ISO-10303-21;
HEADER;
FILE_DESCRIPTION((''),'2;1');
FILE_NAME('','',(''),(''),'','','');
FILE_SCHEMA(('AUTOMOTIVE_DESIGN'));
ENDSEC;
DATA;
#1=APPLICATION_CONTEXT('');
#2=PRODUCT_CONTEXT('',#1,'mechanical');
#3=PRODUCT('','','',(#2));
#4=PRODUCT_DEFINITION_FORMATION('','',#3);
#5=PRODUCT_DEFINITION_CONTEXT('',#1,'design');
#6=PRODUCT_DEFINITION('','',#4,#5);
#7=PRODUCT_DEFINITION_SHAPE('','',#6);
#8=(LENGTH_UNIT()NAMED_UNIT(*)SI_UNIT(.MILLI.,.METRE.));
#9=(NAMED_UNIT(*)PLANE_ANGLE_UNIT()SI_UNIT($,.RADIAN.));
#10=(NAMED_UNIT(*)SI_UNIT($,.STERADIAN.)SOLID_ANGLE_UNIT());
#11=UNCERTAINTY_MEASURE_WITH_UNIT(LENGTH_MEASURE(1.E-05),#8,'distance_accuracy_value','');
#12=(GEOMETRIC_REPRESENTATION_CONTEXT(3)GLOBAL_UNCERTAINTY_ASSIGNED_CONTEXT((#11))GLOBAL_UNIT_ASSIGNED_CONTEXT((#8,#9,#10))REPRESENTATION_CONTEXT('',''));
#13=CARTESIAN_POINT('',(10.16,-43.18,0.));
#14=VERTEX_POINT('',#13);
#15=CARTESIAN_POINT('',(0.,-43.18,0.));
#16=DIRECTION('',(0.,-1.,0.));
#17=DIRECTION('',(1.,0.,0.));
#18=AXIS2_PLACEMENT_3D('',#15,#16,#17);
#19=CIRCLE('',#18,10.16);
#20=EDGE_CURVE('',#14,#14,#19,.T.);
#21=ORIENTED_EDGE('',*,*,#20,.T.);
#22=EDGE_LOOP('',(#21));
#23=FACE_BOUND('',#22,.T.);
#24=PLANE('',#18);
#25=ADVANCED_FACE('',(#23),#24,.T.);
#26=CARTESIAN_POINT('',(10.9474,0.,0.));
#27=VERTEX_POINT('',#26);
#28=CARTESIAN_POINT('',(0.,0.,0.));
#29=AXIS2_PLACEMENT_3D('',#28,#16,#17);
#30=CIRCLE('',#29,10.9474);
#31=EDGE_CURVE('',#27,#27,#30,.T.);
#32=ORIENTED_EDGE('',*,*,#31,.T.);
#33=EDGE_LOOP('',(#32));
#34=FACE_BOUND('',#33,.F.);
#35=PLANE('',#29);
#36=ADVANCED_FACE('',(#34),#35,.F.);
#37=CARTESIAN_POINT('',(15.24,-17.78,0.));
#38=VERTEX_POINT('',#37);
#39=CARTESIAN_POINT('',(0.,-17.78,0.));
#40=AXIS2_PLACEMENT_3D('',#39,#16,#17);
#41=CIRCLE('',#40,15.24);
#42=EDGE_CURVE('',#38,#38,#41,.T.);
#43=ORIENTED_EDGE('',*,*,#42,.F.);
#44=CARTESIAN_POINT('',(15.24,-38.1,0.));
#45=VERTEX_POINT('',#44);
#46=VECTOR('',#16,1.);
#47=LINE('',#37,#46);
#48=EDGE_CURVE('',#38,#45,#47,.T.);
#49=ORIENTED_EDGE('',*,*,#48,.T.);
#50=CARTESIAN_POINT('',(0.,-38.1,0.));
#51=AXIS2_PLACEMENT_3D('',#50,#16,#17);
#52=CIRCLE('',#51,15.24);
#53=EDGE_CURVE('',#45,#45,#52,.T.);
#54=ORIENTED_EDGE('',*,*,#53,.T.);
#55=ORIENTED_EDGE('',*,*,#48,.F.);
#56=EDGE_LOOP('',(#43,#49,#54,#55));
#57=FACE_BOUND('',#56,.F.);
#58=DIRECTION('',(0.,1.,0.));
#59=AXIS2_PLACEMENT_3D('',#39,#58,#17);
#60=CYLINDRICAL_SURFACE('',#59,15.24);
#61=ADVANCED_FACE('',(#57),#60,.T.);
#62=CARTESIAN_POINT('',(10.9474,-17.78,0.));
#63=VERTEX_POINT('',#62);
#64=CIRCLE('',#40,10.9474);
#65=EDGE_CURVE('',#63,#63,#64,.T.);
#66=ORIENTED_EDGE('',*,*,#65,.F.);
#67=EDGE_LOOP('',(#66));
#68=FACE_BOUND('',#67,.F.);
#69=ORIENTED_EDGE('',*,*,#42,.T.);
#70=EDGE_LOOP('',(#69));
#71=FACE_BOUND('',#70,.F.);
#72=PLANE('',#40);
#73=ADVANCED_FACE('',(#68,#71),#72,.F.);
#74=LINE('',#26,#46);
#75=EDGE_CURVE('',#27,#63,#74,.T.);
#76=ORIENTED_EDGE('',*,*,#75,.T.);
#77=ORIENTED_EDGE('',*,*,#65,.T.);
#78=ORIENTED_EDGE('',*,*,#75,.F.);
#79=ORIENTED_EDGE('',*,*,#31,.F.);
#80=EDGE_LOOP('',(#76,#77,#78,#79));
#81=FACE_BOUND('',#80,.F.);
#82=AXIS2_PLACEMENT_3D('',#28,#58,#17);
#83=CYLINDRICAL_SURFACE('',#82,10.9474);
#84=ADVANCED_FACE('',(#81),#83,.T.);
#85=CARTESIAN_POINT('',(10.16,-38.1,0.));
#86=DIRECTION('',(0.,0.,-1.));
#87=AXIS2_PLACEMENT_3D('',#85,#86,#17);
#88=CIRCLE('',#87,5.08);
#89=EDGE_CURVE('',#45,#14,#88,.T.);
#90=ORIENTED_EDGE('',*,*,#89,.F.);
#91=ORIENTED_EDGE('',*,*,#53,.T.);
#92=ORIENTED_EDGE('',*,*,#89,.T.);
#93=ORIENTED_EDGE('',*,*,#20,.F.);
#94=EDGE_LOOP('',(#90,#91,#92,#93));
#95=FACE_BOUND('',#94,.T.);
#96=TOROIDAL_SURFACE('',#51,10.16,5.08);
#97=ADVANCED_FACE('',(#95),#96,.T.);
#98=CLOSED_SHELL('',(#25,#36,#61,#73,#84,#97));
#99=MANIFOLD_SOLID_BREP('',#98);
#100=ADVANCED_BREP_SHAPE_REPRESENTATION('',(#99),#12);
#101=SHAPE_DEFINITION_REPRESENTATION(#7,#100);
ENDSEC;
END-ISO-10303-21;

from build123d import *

# Parameters (mm, degrees)
F0_R     = 10.9474
F1_DEPTH = 17.78
F2_R     = 15.24
F2_R_2   = 10.9474
F3_DEPTH = 25.4
F4_R     = 5.08


with BuildPart() as f1:
    # F0 (on Front) → F1 (new body)
    with BuildSketch(Plane.XZ):
        Circle(F0_R)
    extrude(amount=F1_DEPTH)

    # F2 (on face) → F3 (join)
    with BuildSketch(Plane.XZ.offset(17.78)):
        Circle(F2_R)
        Circle(F2_R_2, mode=Mode.SUBTRACT)
        Circle(F2_R_2)
    extrude(amount=F3_DEPTH)

    # F4
    f4_edges = [f1.edges().sort_by_distance(p)[0] for p in [
        (-15.24, -43.18, 0),
    ]]
    fillet(f4_edges, radius=F4_R)


solid = f1.part
